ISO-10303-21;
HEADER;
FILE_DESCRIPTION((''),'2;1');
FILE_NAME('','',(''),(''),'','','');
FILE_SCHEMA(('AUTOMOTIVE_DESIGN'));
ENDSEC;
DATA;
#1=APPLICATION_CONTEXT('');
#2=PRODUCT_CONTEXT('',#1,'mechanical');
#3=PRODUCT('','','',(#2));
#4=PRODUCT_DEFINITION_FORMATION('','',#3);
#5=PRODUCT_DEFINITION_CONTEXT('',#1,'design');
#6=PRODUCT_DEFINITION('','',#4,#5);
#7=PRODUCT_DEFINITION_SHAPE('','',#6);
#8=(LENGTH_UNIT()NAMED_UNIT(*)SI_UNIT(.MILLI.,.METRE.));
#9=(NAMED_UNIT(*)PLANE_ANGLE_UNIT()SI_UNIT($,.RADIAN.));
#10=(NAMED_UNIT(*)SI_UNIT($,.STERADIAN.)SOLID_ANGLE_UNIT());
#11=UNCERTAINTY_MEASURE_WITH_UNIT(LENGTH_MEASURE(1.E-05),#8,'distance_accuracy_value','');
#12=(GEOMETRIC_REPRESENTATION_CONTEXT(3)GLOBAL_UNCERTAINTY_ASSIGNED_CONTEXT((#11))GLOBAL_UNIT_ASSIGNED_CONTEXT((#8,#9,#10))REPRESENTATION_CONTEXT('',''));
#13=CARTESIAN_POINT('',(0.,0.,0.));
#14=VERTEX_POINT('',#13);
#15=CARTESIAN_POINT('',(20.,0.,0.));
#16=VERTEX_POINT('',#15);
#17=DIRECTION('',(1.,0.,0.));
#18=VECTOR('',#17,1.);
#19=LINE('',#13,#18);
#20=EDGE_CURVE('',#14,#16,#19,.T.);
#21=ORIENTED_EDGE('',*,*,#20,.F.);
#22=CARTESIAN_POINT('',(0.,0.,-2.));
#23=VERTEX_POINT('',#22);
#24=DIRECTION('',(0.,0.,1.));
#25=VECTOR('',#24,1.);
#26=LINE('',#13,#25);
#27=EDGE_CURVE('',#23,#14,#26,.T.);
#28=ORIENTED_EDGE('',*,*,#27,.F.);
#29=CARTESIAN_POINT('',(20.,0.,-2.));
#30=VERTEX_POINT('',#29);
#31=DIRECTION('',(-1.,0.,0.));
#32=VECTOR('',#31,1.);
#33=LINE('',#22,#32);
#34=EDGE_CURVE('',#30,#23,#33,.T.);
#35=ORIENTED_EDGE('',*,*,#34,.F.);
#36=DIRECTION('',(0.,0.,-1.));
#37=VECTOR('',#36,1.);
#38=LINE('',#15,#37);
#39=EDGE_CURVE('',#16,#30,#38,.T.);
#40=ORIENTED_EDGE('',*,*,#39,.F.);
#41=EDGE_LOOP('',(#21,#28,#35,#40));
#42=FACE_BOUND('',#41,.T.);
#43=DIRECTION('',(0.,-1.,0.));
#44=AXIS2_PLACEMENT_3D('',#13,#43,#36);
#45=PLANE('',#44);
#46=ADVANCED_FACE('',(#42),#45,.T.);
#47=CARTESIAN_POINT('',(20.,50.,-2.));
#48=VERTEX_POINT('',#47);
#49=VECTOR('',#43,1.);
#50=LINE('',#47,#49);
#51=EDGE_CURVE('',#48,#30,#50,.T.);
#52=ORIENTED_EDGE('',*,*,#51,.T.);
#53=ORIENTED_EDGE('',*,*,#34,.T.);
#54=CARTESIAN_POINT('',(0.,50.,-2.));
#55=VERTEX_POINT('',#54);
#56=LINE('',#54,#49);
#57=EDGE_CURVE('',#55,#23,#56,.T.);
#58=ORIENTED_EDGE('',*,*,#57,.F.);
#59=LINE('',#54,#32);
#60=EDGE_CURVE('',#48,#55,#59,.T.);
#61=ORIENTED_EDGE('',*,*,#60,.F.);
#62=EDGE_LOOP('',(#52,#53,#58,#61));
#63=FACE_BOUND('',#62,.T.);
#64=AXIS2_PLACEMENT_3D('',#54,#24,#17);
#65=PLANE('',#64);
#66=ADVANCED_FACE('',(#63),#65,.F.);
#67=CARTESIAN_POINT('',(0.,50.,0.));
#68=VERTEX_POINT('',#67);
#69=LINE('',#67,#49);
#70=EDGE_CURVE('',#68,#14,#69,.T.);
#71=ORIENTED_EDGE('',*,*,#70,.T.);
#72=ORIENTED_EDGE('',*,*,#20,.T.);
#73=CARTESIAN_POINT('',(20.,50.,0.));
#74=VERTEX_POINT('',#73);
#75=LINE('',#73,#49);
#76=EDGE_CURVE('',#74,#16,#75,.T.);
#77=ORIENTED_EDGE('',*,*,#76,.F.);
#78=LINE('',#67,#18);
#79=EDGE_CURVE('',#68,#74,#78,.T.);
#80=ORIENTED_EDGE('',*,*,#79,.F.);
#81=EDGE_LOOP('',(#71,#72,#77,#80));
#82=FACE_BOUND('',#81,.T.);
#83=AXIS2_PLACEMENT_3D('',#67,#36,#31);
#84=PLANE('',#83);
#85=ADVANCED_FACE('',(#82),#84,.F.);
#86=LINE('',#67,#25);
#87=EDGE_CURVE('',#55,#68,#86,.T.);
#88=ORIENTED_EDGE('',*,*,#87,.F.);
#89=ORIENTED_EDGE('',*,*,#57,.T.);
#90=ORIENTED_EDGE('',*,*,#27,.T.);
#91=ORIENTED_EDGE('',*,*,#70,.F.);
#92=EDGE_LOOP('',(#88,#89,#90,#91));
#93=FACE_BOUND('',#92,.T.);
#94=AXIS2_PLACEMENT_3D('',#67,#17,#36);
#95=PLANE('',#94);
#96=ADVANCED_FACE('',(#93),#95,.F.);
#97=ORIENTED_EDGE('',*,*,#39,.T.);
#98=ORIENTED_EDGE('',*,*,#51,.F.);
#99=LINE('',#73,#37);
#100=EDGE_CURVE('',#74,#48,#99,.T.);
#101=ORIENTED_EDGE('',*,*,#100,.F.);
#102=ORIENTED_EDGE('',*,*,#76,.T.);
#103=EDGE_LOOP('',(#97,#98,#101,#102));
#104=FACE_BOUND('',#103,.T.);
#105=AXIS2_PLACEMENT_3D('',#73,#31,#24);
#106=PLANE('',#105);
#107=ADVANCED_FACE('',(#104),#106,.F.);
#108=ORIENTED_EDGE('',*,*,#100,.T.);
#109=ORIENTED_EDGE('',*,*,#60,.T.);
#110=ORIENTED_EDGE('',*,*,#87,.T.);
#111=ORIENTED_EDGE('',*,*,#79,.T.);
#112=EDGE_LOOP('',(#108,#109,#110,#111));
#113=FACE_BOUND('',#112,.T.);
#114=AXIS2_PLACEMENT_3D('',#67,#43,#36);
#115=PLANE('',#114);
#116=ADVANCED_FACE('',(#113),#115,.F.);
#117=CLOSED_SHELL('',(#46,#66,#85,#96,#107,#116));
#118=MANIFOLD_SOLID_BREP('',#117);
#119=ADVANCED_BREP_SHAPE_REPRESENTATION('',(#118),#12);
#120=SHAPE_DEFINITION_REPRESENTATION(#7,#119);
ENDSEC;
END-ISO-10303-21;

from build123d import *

# Parameters (mm, degrees)
SKETCH_1_W      = 20
SKETCH_1_H      = 2
EXTRUDE_1_DEPTH = 50


with BuildPart() as part:
    # Эскиз1 → Бобышка-Вытянуть1 (new body)
    with BuildSketch(Plane(origin=(0, 0, 0), x_dir=(1, 0, 0), z_dir=(0, 1, 0))):
        with Locations((10, 1)):
            Rectangle(SKETCH_1_W, SKETCH_1_H)
    extrude(amount=EXTRUDE_1_DEPTH)


solid = part.part
